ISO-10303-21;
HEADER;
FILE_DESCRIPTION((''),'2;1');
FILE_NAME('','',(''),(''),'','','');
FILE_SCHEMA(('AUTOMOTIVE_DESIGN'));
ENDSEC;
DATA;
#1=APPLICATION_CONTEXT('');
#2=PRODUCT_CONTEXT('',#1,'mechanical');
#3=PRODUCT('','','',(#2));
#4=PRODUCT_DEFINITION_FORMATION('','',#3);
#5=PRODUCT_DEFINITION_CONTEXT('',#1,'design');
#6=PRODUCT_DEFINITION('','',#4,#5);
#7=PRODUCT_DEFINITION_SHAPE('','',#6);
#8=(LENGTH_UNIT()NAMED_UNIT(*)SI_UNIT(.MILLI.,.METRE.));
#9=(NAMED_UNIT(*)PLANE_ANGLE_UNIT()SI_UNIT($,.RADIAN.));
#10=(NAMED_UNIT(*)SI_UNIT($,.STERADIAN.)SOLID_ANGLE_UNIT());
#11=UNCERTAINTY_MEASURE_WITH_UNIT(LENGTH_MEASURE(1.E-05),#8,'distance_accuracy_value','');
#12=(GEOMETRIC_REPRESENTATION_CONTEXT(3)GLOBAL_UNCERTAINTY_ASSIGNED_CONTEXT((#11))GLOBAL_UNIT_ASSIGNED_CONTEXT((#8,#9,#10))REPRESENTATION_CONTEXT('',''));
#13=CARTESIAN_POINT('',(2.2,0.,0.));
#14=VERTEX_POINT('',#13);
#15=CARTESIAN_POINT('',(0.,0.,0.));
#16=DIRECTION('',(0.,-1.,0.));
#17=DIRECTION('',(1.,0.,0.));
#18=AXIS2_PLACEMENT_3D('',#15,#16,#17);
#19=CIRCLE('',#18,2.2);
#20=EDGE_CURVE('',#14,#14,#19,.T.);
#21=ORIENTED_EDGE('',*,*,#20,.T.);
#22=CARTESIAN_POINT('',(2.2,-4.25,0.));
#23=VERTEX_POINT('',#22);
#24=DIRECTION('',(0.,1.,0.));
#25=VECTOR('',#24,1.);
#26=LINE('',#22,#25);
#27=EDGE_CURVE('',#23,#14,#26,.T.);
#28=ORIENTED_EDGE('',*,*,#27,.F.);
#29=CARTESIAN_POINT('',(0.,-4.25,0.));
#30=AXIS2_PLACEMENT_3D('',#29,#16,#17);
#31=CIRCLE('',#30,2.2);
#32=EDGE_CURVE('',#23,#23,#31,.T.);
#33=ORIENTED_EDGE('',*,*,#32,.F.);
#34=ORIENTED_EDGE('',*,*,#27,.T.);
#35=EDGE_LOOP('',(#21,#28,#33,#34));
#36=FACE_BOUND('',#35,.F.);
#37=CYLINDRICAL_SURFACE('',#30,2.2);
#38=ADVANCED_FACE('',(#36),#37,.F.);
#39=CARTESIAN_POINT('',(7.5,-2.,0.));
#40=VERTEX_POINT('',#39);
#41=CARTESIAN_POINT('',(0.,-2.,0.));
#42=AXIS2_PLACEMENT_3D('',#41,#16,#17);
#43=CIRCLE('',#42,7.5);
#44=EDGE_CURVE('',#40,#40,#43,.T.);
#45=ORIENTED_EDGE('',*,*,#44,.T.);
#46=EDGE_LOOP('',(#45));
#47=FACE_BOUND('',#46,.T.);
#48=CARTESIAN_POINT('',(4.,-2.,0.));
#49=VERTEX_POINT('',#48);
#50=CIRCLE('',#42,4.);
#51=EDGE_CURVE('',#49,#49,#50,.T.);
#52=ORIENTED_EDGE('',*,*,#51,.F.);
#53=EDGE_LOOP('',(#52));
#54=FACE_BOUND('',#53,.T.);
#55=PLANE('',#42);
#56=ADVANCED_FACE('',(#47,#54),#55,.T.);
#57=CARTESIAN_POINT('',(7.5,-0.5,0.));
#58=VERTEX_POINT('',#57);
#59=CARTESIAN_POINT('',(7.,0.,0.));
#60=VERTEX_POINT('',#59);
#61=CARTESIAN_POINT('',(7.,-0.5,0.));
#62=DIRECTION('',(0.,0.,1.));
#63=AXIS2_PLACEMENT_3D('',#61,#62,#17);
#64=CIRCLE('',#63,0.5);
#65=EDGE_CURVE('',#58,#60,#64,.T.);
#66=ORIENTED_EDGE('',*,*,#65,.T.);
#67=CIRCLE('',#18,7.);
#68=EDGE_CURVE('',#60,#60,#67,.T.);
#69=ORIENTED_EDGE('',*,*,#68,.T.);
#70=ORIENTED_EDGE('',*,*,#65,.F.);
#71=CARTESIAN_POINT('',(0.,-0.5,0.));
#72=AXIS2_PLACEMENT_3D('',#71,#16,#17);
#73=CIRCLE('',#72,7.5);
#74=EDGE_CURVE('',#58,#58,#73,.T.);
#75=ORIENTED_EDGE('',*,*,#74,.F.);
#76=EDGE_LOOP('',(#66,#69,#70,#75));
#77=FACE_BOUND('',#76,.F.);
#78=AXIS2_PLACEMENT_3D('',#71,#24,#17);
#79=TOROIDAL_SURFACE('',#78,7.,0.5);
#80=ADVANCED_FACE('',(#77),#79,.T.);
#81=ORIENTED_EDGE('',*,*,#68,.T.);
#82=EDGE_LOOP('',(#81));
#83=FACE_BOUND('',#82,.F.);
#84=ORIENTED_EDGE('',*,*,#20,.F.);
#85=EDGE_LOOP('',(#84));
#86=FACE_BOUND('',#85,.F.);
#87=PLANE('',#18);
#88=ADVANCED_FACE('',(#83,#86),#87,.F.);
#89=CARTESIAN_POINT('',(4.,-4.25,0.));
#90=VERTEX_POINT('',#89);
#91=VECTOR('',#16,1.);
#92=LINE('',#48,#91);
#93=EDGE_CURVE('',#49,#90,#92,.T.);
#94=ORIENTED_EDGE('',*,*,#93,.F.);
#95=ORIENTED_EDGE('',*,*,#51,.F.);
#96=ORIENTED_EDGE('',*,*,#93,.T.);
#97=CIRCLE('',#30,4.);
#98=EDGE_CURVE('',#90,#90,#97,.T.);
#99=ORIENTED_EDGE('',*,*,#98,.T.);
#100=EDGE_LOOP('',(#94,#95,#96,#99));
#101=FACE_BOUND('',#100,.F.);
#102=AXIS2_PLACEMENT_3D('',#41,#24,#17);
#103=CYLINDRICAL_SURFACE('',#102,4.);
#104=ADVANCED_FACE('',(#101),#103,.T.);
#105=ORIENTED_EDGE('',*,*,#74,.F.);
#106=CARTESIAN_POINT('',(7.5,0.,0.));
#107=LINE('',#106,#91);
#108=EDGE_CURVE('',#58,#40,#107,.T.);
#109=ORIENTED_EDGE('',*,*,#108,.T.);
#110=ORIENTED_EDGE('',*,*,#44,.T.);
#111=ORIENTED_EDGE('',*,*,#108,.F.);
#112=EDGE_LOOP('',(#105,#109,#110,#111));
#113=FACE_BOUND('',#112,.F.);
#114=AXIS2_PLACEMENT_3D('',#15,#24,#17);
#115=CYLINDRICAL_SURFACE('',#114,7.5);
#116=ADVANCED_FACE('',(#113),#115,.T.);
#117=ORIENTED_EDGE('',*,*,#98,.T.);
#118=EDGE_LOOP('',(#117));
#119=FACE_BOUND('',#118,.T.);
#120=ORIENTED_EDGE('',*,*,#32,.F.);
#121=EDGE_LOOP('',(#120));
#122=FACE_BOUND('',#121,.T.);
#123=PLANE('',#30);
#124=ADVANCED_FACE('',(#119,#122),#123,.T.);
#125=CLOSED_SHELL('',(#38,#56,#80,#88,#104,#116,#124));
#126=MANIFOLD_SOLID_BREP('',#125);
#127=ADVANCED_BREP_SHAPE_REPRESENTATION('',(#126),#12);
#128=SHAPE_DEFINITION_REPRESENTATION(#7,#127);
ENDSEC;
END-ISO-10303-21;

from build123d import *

# Parameters (mm, degrees)
F0_R     = 7.5
F1_DEPTH = 2
F2_R     = 4
F3_DEPTH = 2.25
F4_R     = 2.2
F5_DEPTH = 4.251
F6_R     = 0.5


with BuildPart() as f1:
    # F0 (on Front) → F1 (new body)
    with BuildSketch(Plane.XZ):
        Circle(F0_R)
    extrude(amount=F1_DEPTH)

    # F2 (on face) → F3 (join)
    with BuildSketch(Plane.XZ.offset(2)):
        Circle(F2_R)
    extrude(amount=F3_DEPTH)

    # F4 (on face) → F5 (cut, through all)
    with BuildSketch(Plane.XZ.offset(4.25)):
        Circle(F4_R)
    extrude(amount=-F5_DEPTH, mode=Mode.SUBTRACT)

    # F6
    f6_edges = [f1.edges().sort_by_distance(p)[0] for p in [
        (-7.5, 0, 0),
    ]]
    fillet(f6_edges, radius=F6_R)


solid = f1.part
